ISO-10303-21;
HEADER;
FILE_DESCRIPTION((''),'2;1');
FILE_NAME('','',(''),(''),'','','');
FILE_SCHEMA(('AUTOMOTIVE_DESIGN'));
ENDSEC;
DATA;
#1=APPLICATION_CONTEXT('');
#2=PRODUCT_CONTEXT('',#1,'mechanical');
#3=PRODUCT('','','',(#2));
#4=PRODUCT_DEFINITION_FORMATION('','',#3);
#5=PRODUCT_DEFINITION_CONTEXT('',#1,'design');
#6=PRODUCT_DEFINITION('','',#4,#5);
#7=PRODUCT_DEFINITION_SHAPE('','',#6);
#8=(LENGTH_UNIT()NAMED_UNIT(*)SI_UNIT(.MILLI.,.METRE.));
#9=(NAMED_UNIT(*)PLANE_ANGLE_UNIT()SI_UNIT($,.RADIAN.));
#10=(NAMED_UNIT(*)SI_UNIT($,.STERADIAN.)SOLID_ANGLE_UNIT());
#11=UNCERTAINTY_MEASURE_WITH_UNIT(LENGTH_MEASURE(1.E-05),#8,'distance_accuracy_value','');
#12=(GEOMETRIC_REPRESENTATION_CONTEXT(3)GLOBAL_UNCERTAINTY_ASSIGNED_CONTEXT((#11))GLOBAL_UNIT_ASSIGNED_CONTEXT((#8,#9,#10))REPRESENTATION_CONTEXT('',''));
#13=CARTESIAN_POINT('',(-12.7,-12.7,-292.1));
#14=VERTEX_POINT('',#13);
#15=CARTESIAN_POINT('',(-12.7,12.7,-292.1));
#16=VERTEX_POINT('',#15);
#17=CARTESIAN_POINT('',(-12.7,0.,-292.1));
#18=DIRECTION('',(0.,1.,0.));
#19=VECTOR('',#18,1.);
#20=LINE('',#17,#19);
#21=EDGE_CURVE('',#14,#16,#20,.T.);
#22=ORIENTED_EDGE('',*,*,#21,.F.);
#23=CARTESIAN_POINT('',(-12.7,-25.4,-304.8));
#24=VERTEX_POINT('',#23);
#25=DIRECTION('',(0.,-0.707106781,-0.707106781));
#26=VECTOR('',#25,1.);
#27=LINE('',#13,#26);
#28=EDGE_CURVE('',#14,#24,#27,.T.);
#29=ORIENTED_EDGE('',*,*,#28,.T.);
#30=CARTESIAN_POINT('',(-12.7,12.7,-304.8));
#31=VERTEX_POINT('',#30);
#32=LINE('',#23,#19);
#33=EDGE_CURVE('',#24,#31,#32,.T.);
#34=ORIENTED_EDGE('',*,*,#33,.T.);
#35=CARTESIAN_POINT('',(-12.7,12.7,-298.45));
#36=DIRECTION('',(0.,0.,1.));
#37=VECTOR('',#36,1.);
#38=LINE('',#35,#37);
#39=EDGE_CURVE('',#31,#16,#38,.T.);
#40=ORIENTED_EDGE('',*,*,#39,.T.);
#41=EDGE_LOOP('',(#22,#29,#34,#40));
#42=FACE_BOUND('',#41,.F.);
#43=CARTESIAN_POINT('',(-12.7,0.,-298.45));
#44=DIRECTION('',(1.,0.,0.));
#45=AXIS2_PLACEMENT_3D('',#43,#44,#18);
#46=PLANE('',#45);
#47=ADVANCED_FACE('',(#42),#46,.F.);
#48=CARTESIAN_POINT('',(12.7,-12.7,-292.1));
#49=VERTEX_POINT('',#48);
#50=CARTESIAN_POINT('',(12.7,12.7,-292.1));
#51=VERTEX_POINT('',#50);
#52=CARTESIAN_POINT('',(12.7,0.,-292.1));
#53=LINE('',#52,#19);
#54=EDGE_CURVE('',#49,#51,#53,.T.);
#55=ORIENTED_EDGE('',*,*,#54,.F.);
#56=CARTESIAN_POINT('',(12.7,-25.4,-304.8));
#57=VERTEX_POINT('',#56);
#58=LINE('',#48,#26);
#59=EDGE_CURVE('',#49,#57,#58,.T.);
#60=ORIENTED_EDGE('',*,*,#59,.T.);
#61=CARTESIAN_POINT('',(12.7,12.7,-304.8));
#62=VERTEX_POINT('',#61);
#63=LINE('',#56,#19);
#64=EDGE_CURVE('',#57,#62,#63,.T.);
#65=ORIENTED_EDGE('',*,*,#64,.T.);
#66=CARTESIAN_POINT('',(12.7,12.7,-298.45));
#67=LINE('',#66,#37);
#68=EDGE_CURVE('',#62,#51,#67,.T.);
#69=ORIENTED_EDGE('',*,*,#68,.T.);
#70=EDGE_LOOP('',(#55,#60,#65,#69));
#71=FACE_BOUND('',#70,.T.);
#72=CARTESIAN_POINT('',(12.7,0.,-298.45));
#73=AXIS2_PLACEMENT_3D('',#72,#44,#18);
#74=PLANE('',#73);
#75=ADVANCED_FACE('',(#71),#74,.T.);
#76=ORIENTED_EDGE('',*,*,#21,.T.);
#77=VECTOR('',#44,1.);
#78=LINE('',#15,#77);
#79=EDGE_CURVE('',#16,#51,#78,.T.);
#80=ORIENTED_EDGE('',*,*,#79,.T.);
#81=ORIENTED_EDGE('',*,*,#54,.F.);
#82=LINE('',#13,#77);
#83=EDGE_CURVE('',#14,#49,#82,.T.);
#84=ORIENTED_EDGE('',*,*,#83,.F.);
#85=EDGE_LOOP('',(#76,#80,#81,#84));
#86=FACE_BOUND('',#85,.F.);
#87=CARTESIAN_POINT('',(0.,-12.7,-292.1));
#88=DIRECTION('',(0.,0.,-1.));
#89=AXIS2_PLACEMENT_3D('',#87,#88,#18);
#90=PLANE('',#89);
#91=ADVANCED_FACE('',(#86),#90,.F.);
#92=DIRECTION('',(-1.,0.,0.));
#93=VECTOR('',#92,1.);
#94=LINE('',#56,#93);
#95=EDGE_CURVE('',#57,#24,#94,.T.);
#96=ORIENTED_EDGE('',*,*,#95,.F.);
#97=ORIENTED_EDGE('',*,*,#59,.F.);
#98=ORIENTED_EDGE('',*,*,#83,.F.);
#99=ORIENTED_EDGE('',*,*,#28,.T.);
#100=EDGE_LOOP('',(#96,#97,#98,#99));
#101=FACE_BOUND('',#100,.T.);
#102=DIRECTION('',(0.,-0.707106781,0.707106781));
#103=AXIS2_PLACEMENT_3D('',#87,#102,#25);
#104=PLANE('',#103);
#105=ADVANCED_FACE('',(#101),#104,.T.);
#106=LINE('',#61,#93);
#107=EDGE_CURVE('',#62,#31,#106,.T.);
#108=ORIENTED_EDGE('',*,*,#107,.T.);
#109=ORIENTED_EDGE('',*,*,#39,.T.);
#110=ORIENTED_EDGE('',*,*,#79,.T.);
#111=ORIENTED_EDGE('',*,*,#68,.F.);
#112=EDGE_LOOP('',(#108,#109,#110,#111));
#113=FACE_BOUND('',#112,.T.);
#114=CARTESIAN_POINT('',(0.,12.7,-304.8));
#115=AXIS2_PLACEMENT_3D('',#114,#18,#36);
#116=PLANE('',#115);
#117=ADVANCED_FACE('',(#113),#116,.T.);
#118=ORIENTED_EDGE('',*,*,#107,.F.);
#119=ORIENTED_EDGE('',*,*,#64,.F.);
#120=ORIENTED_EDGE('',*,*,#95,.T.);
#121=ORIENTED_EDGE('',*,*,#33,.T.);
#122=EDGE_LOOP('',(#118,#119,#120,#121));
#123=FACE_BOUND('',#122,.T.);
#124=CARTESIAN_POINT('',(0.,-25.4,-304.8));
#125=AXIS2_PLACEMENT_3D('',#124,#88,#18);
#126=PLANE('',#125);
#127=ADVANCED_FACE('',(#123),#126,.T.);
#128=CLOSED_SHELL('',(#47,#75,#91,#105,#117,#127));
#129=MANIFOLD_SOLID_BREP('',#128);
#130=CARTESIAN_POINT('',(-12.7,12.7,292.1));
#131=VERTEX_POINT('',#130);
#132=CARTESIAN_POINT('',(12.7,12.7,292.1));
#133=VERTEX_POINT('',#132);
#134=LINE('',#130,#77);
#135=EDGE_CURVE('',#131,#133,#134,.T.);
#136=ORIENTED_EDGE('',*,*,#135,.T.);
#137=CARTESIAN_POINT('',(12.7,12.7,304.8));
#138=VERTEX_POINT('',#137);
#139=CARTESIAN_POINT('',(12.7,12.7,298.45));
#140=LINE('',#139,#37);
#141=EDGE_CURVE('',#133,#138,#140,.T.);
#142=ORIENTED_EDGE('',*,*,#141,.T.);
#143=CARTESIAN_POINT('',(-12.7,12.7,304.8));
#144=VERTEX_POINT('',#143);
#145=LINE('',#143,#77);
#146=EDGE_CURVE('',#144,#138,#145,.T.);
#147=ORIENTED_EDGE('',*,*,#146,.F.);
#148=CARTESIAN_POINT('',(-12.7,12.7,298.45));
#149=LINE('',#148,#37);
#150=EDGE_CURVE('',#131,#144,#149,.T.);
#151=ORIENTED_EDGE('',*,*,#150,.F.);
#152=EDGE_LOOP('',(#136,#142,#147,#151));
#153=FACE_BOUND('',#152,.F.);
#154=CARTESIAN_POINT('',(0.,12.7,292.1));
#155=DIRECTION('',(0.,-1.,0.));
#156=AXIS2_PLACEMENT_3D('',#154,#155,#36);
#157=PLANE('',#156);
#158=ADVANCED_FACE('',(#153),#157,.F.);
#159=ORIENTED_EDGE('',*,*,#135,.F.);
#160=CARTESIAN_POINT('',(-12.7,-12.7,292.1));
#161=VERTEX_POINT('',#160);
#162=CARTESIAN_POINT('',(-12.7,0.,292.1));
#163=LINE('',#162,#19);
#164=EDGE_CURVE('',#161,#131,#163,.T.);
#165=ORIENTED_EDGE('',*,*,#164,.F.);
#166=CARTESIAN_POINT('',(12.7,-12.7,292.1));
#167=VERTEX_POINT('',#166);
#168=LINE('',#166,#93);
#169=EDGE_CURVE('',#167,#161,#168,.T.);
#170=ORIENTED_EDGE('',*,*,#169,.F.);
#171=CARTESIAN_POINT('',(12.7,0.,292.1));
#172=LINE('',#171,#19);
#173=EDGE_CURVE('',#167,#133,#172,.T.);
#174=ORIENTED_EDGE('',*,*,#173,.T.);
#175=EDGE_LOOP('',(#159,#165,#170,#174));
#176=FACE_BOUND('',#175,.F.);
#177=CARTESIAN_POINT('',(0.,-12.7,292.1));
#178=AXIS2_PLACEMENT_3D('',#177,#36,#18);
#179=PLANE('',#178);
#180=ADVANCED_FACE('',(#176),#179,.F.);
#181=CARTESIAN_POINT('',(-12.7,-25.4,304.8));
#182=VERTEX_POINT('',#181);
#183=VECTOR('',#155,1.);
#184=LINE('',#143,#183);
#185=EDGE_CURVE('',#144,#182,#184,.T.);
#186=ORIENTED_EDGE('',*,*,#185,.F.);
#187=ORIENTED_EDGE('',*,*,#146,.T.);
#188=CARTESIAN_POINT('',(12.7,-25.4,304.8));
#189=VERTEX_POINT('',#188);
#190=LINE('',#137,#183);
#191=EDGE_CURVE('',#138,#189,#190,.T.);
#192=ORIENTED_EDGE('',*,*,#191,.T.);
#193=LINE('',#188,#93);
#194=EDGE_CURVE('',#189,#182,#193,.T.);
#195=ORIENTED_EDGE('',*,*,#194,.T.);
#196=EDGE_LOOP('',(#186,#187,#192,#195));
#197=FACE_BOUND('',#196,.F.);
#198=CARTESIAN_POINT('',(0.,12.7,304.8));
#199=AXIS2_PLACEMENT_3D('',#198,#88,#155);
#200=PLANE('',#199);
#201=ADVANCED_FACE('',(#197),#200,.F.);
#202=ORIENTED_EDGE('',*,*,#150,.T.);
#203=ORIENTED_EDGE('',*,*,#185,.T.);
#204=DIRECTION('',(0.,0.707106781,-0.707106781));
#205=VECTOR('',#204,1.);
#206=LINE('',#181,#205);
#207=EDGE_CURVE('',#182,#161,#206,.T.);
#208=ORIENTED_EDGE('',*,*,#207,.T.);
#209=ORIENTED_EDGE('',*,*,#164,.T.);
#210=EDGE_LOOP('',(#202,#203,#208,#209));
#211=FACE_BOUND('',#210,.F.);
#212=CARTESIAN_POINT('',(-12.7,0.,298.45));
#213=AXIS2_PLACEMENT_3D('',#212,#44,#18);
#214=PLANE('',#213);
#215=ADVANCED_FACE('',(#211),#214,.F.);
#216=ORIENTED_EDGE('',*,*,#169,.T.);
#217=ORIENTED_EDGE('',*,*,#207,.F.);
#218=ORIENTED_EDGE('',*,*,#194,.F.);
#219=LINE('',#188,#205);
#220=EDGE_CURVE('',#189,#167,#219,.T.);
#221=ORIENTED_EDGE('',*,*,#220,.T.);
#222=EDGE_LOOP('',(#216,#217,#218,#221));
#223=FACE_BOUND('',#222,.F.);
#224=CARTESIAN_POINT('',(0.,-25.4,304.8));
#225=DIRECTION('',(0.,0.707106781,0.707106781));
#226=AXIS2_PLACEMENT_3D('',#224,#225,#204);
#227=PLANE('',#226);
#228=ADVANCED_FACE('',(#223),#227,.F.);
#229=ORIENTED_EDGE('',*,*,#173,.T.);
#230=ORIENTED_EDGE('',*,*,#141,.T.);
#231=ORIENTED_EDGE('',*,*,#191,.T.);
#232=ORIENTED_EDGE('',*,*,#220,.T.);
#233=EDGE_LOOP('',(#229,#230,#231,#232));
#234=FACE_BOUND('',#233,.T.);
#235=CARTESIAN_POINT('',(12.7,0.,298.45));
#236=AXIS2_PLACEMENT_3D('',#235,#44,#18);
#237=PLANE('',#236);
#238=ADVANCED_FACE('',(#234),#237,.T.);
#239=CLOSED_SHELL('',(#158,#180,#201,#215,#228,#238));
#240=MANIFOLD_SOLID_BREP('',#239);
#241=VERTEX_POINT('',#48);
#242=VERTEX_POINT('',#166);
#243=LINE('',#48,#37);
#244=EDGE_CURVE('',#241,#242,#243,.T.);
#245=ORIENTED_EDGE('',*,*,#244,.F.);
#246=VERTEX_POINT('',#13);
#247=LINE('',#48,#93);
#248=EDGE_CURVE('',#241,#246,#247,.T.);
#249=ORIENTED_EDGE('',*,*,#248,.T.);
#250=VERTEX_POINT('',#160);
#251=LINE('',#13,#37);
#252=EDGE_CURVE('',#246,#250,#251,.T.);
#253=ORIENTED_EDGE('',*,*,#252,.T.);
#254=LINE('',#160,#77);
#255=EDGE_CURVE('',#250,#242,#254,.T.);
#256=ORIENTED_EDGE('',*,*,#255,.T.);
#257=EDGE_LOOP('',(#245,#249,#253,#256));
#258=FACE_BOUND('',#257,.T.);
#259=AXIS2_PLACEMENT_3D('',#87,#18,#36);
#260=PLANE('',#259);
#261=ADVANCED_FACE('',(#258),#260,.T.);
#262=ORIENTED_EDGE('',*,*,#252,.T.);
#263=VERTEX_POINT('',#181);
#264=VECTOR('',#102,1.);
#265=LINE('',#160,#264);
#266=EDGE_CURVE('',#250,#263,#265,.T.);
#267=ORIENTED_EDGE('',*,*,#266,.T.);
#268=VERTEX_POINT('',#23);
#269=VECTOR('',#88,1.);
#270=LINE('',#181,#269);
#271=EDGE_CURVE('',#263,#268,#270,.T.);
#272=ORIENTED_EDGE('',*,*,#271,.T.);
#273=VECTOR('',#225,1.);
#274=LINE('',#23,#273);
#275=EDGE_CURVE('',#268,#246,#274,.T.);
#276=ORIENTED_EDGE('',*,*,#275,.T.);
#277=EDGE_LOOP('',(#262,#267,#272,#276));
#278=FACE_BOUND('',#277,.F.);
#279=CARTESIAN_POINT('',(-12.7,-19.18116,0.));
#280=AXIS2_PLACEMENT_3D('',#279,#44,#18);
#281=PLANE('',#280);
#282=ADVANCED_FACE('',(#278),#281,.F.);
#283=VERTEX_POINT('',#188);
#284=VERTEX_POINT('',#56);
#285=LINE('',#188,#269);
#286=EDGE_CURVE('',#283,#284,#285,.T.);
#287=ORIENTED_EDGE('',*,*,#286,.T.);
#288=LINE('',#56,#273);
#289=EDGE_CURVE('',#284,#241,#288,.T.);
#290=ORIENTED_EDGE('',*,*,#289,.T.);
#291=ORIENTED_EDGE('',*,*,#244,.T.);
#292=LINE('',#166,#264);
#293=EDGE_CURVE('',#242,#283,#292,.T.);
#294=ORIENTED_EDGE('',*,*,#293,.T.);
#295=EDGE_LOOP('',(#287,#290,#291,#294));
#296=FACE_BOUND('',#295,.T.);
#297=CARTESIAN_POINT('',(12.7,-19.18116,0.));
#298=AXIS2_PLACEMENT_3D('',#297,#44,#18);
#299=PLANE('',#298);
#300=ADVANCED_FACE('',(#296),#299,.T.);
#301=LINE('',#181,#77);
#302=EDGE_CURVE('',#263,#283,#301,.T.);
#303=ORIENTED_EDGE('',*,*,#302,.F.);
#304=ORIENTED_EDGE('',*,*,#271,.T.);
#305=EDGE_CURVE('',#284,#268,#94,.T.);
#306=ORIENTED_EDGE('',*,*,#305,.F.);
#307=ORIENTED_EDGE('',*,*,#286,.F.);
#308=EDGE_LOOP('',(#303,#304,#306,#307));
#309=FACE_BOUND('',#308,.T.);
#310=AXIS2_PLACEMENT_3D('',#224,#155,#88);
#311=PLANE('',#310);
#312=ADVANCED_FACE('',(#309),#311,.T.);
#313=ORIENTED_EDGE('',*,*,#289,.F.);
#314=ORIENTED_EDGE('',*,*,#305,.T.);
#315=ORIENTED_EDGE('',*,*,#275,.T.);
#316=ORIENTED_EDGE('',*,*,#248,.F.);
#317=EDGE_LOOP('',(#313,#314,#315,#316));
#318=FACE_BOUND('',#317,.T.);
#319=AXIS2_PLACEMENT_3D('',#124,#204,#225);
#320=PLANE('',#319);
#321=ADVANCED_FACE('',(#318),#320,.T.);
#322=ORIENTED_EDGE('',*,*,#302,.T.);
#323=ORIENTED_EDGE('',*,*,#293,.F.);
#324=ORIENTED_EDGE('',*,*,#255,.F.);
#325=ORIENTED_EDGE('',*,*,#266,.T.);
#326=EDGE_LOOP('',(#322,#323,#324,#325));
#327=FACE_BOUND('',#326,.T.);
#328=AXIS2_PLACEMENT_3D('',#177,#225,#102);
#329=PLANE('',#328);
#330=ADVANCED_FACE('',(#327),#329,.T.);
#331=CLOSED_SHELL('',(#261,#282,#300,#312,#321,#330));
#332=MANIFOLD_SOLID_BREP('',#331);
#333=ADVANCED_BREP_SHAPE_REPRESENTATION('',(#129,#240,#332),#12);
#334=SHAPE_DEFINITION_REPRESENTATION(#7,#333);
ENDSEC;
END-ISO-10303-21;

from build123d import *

# Parameters (mm, degrees)
F0_W     = 25.4
F0_H     = 12.7
F1_DEPTH = 12.7
F2_DEPTH = 12.7


with BuildPart() as f1:
    # F0 (on Right) → F1 (new body, symmetric)
    with BuildSketch(Plane.YZ):
        with Locations((0, 298.45)):
            Rectangle(F0_W, F0_H)
        Polygon((-25.4, 304.8), (-12.7, 292.1), (-12.7, 304.8), align=None)
        with Locations((0, -298.45)):
            Rectangle(F0_W, F0_H)
        Polygon((-12.7, -304.8), (-12.7, -292.1), (-25.4, -304.8), align=None)
    extrude(amount=F1_DEPTH, both=True)


with BuildPart() as f2:
    # F0 (on Right) → F2 (new body, symmetric)
    with BuildSketch(Plane.YZ):
        Polygon((-12.7, -292.1), (-12.7, 292.1), (-25.4, 304.8), (-25.4, -304.8), align=None)
    extrude(amount=F2_DEPTH, both=True)


solid = Compound([f1.part, f2.part])
